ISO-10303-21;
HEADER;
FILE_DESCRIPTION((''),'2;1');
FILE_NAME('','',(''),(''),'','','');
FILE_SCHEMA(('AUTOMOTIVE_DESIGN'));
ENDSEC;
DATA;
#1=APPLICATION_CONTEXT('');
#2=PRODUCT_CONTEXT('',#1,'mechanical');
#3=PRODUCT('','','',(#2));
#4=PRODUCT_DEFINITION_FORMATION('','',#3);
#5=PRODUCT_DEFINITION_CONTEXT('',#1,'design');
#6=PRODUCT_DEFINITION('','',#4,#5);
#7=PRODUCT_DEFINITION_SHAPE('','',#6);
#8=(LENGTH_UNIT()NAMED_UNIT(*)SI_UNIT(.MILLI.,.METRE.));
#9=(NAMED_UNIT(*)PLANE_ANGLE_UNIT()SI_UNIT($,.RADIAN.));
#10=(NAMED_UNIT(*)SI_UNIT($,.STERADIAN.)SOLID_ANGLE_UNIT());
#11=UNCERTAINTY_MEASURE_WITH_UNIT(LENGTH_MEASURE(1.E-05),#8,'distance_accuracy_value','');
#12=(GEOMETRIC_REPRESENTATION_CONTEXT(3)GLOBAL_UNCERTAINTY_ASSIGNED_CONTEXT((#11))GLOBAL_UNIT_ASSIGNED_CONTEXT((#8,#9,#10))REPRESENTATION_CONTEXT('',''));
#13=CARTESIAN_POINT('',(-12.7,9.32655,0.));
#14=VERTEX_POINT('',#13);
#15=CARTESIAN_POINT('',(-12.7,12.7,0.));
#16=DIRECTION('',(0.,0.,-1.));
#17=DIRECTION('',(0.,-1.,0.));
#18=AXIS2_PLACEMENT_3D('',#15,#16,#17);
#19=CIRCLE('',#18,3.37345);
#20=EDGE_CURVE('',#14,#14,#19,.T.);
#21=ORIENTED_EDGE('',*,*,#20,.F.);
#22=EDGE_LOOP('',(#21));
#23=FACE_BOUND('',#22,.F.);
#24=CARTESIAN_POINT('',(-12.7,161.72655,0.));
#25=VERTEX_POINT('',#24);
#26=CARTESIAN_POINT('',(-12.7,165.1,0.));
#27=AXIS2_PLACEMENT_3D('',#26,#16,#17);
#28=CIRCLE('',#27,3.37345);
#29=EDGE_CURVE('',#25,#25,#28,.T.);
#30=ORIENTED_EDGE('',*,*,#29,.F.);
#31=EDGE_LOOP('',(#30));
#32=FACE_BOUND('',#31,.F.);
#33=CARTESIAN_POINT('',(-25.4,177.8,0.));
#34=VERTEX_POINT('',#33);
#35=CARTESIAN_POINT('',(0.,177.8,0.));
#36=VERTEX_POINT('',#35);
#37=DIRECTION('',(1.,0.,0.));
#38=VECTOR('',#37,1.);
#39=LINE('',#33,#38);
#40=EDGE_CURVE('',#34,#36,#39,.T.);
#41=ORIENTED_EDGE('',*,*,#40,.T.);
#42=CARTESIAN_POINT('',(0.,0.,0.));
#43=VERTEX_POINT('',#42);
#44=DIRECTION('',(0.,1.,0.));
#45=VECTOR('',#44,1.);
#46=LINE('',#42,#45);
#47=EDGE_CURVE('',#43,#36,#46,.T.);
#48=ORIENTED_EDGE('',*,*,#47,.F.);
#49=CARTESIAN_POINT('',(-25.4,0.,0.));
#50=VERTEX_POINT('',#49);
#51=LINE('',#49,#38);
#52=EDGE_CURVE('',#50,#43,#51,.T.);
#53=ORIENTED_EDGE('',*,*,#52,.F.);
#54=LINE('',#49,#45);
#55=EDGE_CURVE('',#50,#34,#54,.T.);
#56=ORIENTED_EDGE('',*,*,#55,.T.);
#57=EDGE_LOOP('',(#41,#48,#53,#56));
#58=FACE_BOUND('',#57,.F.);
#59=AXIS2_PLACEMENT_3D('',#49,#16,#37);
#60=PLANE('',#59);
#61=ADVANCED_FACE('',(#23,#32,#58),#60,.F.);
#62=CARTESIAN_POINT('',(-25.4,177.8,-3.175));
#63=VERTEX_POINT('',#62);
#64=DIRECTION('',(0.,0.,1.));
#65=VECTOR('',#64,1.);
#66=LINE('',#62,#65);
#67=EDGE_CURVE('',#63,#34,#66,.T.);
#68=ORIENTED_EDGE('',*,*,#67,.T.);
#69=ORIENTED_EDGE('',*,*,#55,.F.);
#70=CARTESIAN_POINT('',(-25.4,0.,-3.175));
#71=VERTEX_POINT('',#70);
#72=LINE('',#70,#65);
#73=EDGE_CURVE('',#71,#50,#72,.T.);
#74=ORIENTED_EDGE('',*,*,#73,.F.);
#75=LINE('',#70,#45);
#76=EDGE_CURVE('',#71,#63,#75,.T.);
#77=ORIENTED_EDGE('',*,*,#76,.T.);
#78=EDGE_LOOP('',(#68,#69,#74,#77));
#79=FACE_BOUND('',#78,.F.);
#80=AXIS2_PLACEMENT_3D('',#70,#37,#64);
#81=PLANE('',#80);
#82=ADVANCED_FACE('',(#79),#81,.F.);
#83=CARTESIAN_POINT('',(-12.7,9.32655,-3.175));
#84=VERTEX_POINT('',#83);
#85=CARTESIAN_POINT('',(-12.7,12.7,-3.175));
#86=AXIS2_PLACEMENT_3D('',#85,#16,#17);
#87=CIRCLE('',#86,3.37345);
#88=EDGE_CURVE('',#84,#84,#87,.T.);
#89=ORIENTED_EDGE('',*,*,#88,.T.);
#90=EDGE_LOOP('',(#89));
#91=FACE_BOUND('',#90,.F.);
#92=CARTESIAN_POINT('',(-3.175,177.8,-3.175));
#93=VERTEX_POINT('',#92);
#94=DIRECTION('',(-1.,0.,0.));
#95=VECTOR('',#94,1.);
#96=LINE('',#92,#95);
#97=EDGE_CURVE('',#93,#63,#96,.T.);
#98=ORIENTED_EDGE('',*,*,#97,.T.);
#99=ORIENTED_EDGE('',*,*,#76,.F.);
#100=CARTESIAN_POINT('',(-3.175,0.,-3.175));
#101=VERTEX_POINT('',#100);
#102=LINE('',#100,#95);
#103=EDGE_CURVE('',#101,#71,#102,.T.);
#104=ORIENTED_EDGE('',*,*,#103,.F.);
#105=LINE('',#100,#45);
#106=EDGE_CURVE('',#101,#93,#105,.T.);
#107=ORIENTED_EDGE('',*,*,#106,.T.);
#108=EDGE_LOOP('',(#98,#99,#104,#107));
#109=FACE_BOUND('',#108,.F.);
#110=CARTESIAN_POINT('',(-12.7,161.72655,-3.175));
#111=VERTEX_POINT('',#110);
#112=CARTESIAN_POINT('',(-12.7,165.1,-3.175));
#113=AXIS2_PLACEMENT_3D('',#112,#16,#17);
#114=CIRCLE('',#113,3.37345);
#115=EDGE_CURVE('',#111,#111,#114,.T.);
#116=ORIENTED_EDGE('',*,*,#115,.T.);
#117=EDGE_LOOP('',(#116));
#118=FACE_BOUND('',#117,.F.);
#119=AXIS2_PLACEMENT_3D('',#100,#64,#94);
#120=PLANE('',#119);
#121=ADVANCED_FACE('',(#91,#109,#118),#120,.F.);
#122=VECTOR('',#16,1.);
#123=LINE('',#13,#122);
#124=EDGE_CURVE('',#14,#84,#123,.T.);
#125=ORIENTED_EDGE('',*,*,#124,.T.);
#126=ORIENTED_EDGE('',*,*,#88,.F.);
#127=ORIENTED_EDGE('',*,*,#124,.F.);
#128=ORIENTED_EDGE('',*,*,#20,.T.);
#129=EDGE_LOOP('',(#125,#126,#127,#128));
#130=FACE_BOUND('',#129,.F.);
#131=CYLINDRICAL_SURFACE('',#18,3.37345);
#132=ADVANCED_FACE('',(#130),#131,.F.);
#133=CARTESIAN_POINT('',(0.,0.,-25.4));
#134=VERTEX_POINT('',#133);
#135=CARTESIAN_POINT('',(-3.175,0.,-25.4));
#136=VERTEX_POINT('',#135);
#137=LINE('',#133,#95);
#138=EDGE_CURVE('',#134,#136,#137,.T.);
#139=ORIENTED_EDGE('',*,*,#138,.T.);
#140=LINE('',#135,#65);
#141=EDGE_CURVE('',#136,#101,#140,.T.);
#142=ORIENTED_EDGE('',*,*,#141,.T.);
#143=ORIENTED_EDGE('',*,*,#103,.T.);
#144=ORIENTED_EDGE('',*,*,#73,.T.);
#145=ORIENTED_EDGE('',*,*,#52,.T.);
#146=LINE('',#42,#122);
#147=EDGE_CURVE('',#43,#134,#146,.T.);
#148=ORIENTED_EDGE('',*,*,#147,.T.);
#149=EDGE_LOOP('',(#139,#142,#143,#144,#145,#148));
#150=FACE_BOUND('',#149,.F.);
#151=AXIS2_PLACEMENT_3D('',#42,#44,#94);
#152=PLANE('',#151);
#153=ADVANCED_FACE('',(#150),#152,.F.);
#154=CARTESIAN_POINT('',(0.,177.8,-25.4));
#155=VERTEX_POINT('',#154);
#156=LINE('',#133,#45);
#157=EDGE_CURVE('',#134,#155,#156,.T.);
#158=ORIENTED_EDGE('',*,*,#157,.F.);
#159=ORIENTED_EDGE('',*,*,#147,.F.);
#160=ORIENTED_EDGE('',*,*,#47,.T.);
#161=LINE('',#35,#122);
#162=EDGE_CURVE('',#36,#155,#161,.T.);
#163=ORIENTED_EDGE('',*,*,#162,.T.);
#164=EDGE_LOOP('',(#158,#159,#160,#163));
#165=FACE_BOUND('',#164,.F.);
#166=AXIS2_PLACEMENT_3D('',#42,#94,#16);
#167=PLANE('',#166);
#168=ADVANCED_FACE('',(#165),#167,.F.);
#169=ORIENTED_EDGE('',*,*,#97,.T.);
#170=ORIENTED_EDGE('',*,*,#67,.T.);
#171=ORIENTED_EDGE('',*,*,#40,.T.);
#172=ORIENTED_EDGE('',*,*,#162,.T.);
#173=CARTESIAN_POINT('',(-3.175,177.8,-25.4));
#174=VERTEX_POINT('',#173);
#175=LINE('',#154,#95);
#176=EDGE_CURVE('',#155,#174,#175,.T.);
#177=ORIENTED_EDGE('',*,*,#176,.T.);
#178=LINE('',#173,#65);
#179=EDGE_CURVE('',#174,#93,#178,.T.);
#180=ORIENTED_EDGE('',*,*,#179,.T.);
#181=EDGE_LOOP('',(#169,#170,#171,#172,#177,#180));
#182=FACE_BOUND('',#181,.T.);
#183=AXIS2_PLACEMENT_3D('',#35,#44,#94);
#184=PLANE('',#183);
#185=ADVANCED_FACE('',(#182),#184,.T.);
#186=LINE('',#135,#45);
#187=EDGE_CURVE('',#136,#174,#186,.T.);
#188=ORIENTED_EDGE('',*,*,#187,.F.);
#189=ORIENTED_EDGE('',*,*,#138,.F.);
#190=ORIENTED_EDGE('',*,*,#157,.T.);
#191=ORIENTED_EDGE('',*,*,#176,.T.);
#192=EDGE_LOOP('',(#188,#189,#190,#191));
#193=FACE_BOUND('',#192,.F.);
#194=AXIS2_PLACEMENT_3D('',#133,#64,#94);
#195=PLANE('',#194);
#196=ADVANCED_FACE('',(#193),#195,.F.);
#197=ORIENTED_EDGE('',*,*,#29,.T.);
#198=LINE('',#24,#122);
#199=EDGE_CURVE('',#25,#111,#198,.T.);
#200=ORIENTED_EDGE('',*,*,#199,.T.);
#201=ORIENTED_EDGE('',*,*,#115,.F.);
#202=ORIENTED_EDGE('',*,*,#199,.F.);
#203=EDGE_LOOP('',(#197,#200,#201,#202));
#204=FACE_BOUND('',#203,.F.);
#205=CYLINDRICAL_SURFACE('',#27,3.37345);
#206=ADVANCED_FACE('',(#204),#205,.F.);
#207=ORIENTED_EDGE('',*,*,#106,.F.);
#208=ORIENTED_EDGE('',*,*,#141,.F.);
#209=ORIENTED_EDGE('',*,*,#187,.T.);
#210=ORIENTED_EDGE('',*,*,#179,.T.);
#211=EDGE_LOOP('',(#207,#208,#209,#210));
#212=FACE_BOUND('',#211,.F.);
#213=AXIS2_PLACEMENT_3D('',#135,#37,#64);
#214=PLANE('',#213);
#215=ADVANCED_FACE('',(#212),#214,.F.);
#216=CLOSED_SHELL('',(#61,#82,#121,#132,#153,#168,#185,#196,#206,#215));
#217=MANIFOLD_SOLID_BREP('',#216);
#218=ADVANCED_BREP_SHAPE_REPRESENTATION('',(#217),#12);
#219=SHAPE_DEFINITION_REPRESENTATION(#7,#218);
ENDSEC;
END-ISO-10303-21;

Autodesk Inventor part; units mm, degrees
ref_plane "YZ Plane" through (0, 0, 0) normal (1, 0, 0) x (0, 1, 0)
ref_plane "XZ Plane" through (0, 0, 0) normal (0, 1, 0) x (-1, 0, 0)
ref_plane "XY Plane" through (0, 0, 0) normal (0, 0, 1) x (1, 0, 0)
sketch "Sketch1" plane through (0, 0, 0) normal (0, 1, 0) x (-1, 0, 0)
  line L0 (0, 0) -> (0, -25.4)
  line L1 (0, -25.4) -> (3.175, -25.4)
  line L2 (3.175, -25.4) -> (3.175, -3.175)
  line L3 (3.175, -3.175) -> (25.4, -3.175)
  line L4 (25.4, -3.175) -> (25.4, 0)
  line L5 (25.4, 0) -> (0, 0)
  dimension "d0" = 3.175
  dimension "d1" = 3.175
  dimension "d2" = 25.4
  dimension "d3" = 25.4
extrude "Extrusion1" add sketch "Sketch1" along normal blind 177.8
sketch "Sketch2" plane through (-25.4, 0, 0) normal (0, 0, 1) x (1, 0, 0)
  line L0 (0, 177.8) -> (25.4, 177.8) projected
  line L1 (0, 0) -> (25.4, 0) projected
  line L2 (0, 0) -> (0, 177.8) projected
  point P0 (12.7, 165.1)
  point P1 (12.7, 12.7)
  dimension "d6" = 12.7
  dimension "d7" = 12.7
  dimension "d8" = 12.7
  dimension "d9" = 12.7
hole "Hole1" at (-12.7, 165.1, 0) at (-12.7, 12.7, 0) direction (0, 0, -1) diameter 6.7469 end through all
properties part number "15102898-16-P-0312"
